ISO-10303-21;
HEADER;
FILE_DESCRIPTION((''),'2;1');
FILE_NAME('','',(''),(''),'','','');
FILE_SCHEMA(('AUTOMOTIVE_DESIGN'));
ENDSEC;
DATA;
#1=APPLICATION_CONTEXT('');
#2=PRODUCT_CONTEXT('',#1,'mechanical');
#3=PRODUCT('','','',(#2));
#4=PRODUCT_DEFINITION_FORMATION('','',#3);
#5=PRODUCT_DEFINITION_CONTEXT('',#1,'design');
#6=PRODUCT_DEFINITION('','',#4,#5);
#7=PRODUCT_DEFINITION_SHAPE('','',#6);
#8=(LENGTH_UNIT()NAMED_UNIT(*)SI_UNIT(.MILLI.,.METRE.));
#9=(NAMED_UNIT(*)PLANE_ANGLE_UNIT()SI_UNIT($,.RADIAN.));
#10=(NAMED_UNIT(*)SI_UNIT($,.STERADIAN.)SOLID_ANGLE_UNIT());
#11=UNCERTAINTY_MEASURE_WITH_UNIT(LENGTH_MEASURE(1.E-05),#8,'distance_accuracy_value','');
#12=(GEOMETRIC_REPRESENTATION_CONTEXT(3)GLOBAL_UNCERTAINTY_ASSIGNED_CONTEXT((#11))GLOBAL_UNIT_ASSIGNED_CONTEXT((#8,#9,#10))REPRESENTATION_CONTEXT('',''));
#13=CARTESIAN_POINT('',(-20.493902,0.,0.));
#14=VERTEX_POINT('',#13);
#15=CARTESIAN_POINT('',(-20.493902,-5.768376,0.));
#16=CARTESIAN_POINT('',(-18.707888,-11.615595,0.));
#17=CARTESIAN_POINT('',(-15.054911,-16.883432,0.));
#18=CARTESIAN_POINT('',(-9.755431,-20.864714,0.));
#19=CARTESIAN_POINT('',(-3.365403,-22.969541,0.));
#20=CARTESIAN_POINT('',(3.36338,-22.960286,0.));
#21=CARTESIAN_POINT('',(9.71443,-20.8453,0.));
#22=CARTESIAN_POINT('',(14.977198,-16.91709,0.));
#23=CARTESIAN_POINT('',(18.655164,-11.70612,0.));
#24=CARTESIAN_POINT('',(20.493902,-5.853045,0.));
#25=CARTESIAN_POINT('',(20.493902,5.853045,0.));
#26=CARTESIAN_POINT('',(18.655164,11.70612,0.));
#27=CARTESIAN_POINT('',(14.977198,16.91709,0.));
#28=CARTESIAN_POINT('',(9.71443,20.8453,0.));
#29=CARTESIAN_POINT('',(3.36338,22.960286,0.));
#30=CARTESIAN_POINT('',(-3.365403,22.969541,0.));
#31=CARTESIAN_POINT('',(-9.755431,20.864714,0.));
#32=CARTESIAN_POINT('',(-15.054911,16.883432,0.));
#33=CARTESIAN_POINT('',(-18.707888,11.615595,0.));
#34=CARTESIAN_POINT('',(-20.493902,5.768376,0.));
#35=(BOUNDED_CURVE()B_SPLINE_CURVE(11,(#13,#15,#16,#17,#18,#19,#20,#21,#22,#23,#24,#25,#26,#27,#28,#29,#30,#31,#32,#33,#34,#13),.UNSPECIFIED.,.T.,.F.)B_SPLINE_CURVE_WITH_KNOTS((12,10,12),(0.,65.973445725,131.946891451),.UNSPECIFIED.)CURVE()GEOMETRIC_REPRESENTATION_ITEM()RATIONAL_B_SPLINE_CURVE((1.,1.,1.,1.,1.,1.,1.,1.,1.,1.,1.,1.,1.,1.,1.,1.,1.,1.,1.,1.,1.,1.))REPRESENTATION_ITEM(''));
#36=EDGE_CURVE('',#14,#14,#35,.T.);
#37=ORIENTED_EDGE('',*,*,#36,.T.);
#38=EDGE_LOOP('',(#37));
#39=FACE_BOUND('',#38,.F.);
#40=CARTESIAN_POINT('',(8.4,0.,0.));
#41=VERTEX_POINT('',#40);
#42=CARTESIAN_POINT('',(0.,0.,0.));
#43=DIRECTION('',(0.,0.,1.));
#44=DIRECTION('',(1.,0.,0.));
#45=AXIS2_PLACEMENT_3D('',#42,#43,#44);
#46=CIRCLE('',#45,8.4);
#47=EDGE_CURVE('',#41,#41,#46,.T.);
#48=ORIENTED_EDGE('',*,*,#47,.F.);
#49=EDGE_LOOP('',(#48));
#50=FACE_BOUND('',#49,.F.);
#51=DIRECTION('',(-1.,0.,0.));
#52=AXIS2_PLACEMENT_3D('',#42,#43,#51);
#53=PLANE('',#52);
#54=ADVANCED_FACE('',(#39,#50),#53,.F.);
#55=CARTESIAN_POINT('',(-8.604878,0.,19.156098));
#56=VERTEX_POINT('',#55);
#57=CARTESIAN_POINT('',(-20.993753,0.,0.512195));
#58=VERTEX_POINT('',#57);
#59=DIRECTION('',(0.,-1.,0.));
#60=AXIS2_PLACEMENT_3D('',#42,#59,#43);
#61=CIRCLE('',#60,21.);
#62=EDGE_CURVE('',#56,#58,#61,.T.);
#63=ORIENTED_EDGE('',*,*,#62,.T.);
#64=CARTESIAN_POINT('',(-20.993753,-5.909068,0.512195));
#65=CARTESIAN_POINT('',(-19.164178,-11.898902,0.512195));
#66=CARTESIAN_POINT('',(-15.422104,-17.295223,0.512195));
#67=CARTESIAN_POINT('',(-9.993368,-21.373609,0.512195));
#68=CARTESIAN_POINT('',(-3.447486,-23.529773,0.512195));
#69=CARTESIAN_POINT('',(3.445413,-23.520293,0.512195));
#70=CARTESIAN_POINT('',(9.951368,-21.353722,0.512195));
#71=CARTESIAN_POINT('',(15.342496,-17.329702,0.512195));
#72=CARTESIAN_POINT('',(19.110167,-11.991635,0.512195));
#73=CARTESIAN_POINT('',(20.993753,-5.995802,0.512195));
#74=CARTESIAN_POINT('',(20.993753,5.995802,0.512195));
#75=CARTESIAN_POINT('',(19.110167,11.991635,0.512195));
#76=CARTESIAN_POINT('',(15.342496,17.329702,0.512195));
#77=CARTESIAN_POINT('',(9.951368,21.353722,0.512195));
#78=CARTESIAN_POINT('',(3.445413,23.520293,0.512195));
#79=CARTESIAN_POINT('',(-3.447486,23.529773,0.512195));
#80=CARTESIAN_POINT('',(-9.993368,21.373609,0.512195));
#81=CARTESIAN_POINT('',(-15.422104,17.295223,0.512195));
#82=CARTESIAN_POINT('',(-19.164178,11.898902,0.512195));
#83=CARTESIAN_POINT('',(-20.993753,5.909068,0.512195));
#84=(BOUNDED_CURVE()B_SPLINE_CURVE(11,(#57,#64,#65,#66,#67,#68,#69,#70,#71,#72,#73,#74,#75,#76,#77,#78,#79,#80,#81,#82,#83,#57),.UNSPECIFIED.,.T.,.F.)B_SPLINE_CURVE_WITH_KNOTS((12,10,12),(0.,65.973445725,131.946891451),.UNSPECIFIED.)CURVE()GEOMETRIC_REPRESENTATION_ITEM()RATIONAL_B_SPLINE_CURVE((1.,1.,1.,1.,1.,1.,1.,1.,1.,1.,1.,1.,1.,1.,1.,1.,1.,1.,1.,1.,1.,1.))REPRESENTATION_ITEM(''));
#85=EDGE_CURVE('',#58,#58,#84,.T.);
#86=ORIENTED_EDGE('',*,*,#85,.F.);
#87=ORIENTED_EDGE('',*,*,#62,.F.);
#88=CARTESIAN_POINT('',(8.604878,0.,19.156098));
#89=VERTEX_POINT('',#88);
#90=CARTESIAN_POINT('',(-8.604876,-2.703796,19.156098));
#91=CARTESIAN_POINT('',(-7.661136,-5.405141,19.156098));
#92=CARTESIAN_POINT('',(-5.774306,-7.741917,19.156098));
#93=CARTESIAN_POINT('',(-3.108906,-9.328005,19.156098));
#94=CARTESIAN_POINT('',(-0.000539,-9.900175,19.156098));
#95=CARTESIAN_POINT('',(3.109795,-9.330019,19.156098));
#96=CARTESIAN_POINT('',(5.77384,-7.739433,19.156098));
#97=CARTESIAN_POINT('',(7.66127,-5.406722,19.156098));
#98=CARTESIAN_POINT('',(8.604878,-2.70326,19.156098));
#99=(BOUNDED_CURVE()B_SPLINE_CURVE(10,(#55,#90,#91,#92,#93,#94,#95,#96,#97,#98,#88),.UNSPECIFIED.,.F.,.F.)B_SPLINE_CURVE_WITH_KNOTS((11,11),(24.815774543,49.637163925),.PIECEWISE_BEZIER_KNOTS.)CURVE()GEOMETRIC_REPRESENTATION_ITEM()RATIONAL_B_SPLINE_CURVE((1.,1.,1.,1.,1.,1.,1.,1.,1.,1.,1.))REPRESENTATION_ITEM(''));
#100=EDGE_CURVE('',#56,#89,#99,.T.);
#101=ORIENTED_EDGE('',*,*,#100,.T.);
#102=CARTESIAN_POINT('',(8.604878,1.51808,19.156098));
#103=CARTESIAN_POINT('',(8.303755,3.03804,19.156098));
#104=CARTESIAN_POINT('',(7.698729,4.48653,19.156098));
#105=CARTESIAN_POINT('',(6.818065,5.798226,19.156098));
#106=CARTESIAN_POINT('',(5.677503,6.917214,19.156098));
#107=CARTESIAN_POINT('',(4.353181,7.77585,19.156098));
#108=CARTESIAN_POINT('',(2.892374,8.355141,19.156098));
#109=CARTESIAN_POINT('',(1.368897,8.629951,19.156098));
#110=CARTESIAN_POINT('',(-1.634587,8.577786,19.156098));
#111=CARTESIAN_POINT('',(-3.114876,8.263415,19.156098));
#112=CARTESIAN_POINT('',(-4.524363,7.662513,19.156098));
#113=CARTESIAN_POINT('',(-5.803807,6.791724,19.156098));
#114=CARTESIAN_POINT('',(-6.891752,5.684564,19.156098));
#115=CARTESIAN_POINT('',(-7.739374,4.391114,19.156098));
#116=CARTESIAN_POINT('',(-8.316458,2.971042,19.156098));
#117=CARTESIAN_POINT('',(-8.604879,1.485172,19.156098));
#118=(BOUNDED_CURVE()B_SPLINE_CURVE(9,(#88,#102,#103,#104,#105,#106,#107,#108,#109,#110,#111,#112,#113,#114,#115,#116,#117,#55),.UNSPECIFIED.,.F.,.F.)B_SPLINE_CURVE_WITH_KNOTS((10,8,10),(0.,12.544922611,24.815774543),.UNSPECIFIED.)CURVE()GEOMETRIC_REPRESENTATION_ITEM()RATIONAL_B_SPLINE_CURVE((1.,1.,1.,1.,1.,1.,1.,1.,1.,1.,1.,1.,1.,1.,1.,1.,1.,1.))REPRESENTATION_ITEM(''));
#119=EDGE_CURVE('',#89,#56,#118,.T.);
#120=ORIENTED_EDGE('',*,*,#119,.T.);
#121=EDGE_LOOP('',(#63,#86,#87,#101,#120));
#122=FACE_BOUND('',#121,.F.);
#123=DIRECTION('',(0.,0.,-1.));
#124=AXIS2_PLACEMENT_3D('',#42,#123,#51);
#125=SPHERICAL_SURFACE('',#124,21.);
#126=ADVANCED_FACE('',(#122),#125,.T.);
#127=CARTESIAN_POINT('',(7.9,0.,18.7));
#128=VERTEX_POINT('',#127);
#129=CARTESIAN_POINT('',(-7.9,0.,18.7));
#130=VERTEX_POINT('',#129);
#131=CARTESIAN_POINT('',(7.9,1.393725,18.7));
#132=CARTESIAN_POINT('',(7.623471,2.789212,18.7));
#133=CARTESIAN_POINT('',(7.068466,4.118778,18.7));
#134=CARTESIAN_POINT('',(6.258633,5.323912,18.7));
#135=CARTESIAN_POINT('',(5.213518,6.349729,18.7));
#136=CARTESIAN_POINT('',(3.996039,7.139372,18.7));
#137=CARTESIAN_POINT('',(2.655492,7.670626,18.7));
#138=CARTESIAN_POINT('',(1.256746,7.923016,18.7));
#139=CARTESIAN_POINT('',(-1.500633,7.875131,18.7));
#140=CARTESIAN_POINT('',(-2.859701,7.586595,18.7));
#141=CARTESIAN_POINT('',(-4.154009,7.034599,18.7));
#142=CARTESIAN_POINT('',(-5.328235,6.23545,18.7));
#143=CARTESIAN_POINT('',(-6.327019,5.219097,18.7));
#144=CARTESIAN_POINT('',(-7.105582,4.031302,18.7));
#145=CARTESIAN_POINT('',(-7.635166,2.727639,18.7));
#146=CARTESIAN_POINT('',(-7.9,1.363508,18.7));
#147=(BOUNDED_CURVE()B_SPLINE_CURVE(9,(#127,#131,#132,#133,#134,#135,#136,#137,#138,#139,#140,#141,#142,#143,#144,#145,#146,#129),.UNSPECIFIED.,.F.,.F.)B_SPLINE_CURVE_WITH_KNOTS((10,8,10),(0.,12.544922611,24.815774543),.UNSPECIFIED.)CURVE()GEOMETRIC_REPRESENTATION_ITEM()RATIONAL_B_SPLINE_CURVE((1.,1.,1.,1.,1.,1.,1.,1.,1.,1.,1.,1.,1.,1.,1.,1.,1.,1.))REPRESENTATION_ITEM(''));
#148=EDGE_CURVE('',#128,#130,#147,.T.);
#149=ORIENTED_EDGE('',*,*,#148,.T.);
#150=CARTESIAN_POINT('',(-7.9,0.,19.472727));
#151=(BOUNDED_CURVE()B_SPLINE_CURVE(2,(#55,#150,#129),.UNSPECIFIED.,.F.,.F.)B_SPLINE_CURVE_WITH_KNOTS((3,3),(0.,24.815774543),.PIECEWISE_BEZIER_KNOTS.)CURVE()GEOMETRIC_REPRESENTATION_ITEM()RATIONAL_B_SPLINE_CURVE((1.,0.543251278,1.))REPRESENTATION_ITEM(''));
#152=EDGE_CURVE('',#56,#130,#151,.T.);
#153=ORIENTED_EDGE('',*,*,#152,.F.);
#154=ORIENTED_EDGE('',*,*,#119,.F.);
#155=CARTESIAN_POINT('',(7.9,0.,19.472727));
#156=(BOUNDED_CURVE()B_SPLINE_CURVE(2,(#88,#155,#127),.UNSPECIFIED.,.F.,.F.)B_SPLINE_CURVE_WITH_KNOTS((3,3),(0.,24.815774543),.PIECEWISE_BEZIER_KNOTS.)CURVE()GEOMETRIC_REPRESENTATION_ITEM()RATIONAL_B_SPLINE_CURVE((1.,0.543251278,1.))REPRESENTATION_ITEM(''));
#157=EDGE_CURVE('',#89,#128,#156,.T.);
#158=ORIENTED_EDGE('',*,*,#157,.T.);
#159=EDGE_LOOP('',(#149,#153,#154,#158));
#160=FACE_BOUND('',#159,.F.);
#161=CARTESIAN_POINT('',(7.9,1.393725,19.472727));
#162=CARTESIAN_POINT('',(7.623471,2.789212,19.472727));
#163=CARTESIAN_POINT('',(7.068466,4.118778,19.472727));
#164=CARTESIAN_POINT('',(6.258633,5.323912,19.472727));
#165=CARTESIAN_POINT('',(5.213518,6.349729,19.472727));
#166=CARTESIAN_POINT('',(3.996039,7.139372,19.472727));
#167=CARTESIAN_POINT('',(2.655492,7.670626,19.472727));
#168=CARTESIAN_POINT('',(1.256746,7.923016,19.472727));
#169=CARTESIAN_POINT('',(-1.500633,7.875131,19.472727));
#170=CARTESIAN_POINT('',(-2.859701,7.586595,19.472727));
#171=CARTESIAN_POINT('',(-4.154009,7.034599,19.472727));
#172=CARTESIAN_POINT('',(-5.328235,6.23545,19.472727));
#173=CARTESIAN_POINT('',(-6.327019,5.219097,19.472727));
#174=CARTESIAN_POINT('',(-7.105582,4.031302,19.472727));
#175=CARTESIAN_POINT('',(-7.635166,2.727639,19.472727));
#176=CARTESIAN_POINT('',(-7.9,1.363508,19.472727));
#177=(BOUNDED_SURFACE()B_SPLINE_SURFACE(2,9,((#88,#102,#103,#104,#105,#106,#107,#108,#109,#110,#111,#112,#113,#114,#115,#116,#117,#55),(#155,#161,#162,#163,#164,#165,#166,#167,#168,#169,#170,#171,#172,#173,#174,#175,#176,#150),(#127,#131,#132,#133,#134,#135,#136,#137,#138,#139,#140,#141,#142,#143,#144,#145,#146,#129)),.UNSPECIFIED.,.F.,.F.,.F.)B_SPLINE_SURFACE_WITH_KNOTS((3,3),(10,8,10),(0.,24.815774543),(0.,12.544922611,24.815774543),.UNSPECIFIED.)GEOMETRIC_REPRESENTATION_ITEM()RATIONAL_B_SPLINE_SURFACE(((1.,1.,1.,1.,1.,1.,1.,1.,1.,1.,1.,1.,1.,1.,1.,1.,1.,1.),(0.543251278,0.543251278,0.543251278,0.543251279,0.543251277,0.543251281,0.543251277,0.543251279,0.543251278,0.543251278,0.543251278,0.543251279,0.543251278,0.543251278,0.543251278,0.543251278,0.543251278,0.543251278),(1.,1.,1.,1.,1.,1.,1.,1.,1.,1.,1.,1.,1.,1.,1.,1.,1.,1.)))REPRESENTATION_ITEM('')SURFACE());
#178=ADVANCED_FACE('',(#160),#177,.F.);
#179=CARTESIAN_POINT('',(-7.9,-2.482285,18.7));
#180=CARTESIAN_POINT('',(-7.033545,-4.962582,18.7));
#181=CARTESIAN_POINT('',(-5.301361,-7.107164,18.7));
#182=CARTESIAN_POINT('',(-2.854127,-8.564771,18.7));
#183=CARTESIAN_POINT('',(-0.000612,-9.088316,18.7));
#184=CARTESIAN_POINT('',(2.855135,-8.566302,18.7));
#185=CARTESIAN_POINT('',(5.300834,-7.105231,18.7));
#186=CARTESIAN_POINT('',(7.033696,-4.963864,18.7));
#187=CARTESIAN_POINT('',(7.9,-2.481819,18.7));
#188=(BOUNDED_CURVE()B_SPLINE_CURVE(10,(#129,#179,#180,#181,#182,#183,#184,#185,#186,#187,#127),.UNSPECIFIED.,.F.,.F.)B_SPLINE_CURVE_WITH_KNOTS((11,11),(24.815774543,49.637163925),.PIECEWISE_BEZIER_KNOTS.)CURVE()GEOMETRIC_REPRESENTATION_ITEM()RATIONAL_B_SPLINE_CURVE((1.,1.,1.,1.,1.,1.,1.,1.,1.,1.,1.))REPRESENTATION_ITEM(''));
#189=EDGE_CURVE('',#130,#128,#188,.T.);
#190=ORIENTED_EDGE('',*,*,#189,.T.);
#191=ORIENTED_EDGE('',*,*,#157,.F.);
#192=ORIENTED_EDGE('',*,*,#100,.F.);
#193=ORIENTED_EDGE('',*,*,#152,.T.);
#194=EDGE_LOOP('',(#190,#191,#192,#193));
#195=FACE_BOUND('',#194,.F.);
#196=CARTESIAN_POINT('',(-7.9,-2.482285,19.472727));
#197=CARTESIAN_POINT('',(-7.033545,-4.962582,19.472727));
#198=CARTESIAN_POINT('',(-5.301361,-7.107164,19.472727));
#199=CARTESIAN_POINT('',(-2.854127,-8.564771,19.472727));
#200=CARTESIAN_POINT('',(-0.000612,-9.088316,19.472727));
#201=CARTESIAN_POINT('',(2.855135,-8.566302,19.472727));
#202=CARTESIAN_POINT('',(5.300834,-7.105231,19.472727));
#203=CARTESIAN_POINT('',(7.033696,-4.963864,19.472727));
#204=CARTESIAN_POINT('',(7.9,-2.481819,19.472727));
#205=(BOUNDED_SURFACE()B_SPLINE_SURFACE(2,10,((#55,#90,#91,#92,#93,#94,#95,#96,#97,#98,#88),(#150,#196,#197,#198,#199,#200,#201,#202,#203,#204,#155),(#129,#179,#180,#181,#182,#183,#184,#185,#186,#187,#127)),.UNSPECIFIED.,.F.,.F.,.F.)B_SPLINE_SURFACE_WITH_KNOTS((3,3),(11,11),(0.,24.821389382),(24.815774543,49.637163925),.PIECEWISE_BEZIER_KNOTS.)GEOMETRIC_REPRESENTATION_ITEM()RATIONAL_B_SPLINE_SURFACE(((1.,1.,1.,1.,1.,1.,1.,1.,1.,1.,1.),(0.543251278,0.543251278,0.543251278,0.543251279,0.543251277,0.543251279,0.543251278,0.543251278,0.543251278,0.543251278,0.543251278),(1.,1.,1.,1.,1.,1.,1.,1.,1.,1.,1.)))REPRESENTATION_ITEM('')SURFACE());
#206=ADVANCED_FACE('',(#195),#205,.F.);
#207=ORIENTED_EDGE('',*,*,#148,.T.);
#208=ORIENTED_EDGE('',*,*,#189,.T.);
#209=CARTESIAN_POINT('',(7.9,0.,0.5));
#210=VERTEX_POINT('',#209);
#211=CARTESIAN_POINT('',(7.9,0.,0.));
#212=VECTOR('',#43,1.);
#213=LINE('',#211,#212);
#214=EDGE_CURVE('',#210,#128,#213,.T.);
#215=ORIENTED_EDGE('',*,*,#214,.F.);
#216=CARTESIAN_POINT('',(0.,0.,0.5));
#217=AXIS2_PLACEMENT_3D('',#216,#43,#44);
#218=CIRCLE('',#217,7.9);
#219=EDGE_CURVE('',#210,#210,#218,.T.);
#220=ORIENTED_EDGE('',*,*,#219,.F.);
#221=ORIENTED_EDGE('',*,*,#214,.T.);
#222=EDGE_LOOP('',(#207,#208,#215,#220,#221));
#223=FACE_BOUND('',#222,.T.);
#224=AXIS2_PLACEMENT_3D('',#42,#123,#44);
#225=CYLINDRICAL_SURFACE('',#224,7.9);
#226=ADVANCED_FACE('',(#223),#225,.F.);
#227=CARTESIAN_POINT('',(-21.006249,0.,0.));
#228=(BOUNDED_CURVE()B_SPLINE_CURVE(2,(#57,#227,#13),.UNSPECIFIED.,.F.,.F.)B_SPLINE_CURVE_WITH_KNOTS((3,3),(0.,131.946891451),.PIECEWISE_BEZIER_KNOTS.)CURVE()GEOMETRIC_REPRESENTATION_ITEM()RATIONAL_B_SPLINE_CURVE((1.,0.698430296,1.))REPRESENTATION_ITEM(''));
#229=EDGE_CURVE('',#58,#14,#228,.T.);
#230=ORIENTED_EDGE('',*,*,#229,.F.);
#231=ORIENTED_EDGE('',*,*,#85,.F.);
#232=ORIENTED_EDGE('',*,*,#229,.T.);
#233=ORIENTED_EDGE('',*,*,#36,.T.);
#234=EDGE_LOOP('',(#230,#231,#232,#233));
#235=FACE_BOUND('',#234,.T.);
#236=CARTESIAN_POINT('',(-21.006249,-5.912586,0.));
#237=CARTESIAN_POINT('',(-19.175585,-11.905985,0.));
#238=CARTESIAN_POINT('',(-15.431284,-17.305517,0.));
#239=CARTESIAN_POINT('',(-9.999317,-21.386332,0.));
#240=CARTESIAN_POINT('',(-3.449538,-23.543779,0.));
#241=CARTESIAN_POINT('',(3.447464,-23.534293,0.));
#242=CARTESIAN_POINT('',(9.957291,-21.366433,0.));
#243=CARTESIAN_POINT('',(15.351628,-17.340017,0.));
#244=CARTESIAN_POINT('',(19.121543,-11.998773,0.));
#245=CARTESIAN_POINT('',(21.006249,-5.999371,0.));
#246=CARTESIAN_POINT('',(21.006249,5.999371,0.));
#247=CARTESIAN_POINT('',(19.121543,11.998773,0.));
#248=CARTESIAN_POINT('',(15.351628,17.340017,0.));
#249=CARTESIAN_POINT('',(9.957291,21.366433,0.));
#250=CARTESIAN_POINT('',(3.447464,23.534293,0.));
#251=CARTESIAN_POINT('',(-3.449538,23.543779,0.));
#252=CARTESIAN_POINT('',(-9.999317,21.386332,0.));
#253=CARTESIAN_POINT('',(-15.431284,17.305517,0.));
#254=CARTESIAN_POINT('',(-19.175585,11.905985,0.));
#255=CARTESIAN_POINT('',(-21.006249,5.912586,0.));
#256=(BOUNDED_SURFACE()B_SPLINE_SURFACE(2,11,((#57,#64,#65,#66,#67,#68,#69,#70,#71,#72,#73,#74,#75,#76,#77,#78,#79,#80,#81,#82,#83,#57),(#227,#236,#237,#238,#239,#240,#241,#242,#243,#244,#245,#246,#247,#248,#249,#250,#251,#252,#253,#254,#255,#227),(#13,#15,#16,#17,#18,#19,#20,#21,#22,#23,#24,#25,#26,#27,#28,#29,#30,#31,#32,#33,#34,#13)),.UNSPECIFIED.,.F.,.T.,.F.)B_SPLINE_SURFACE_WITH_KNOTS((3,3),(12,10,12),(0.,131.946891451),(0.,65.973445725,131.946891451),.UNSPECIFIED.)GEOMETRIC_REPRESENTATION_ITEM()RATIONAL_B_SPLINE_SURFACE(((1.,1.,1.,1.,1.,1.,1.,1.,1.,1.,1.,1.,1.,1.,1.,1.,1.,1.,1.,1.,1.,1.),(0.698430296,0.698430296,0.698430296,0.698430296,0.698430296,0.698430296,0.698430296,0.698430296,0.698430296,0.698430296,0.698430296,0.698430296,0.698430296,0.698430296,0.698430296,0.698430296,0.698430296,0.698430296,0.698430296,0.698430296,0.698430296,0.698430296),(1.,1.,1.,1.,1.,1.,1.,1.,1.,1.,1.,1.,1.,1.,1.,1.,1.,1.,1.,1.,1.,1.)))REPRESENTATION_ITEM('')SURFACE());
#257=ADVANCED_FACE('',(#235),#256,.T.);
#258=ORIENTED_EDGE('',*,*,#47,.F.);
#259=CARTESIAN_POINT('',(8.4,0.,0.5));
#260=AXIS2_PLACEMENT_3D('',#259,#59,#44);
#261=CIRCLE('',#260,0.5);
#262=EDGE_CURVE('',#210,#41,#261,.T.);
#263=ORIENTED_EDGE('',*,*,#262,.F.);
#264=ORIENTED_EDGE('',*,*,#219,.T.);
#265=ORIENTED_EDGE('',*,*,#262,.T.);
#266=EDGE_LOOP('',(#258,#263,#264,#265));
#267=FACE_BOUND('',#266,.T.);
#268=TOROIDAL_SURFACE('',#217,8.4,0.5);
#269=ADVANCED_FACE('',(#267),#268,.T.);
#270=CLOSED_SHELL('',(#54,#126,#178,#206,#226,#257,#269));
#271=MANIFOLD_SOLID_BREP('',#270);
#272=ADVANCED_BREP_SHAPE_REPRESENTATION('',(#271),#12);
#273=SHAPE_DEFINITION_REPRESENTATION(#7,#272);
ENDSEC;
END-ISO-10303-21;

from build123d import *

# Parameters (mm, degrees)
F3_R     = 7.9
F4_DEPTH = 21.001
F5_R     = 0.5


with BuildPart() as f2:
    # F1 (on Front) → F2 (revolve)
    with BuildSketch(Plane.XZ):
        with BuildLine():
            ThreePointArc((0, 21), (-14.8492424049, 14.8492424049), (-21, 0))
            Line((-21, 0), (0, 0))
            Line((0, 0), (0, 21))
        make_face()
    revolve(axis=Axis((0, 0, 10.5), (0, 0, 1)))

    # F3 (on Top) → F4 (cut, through all)
    with BuildSketch(Plane.XY):
        Circle(F3_R)
    extrude(amount=F4_DEPTH, mode=Mode.SUBTRACT)

    # F5
    f5_edges = [f2.edges().sort_by_distance(p)[0] for p in [
        (21, 0, 0),
        (-7.9, 0, 0),
        (0, 7.9, 19.457389),
        (0, -7.9, 19.457389),
    ]]
    fillet(f5_edges, radius=F5_R)


solid = f2.part
